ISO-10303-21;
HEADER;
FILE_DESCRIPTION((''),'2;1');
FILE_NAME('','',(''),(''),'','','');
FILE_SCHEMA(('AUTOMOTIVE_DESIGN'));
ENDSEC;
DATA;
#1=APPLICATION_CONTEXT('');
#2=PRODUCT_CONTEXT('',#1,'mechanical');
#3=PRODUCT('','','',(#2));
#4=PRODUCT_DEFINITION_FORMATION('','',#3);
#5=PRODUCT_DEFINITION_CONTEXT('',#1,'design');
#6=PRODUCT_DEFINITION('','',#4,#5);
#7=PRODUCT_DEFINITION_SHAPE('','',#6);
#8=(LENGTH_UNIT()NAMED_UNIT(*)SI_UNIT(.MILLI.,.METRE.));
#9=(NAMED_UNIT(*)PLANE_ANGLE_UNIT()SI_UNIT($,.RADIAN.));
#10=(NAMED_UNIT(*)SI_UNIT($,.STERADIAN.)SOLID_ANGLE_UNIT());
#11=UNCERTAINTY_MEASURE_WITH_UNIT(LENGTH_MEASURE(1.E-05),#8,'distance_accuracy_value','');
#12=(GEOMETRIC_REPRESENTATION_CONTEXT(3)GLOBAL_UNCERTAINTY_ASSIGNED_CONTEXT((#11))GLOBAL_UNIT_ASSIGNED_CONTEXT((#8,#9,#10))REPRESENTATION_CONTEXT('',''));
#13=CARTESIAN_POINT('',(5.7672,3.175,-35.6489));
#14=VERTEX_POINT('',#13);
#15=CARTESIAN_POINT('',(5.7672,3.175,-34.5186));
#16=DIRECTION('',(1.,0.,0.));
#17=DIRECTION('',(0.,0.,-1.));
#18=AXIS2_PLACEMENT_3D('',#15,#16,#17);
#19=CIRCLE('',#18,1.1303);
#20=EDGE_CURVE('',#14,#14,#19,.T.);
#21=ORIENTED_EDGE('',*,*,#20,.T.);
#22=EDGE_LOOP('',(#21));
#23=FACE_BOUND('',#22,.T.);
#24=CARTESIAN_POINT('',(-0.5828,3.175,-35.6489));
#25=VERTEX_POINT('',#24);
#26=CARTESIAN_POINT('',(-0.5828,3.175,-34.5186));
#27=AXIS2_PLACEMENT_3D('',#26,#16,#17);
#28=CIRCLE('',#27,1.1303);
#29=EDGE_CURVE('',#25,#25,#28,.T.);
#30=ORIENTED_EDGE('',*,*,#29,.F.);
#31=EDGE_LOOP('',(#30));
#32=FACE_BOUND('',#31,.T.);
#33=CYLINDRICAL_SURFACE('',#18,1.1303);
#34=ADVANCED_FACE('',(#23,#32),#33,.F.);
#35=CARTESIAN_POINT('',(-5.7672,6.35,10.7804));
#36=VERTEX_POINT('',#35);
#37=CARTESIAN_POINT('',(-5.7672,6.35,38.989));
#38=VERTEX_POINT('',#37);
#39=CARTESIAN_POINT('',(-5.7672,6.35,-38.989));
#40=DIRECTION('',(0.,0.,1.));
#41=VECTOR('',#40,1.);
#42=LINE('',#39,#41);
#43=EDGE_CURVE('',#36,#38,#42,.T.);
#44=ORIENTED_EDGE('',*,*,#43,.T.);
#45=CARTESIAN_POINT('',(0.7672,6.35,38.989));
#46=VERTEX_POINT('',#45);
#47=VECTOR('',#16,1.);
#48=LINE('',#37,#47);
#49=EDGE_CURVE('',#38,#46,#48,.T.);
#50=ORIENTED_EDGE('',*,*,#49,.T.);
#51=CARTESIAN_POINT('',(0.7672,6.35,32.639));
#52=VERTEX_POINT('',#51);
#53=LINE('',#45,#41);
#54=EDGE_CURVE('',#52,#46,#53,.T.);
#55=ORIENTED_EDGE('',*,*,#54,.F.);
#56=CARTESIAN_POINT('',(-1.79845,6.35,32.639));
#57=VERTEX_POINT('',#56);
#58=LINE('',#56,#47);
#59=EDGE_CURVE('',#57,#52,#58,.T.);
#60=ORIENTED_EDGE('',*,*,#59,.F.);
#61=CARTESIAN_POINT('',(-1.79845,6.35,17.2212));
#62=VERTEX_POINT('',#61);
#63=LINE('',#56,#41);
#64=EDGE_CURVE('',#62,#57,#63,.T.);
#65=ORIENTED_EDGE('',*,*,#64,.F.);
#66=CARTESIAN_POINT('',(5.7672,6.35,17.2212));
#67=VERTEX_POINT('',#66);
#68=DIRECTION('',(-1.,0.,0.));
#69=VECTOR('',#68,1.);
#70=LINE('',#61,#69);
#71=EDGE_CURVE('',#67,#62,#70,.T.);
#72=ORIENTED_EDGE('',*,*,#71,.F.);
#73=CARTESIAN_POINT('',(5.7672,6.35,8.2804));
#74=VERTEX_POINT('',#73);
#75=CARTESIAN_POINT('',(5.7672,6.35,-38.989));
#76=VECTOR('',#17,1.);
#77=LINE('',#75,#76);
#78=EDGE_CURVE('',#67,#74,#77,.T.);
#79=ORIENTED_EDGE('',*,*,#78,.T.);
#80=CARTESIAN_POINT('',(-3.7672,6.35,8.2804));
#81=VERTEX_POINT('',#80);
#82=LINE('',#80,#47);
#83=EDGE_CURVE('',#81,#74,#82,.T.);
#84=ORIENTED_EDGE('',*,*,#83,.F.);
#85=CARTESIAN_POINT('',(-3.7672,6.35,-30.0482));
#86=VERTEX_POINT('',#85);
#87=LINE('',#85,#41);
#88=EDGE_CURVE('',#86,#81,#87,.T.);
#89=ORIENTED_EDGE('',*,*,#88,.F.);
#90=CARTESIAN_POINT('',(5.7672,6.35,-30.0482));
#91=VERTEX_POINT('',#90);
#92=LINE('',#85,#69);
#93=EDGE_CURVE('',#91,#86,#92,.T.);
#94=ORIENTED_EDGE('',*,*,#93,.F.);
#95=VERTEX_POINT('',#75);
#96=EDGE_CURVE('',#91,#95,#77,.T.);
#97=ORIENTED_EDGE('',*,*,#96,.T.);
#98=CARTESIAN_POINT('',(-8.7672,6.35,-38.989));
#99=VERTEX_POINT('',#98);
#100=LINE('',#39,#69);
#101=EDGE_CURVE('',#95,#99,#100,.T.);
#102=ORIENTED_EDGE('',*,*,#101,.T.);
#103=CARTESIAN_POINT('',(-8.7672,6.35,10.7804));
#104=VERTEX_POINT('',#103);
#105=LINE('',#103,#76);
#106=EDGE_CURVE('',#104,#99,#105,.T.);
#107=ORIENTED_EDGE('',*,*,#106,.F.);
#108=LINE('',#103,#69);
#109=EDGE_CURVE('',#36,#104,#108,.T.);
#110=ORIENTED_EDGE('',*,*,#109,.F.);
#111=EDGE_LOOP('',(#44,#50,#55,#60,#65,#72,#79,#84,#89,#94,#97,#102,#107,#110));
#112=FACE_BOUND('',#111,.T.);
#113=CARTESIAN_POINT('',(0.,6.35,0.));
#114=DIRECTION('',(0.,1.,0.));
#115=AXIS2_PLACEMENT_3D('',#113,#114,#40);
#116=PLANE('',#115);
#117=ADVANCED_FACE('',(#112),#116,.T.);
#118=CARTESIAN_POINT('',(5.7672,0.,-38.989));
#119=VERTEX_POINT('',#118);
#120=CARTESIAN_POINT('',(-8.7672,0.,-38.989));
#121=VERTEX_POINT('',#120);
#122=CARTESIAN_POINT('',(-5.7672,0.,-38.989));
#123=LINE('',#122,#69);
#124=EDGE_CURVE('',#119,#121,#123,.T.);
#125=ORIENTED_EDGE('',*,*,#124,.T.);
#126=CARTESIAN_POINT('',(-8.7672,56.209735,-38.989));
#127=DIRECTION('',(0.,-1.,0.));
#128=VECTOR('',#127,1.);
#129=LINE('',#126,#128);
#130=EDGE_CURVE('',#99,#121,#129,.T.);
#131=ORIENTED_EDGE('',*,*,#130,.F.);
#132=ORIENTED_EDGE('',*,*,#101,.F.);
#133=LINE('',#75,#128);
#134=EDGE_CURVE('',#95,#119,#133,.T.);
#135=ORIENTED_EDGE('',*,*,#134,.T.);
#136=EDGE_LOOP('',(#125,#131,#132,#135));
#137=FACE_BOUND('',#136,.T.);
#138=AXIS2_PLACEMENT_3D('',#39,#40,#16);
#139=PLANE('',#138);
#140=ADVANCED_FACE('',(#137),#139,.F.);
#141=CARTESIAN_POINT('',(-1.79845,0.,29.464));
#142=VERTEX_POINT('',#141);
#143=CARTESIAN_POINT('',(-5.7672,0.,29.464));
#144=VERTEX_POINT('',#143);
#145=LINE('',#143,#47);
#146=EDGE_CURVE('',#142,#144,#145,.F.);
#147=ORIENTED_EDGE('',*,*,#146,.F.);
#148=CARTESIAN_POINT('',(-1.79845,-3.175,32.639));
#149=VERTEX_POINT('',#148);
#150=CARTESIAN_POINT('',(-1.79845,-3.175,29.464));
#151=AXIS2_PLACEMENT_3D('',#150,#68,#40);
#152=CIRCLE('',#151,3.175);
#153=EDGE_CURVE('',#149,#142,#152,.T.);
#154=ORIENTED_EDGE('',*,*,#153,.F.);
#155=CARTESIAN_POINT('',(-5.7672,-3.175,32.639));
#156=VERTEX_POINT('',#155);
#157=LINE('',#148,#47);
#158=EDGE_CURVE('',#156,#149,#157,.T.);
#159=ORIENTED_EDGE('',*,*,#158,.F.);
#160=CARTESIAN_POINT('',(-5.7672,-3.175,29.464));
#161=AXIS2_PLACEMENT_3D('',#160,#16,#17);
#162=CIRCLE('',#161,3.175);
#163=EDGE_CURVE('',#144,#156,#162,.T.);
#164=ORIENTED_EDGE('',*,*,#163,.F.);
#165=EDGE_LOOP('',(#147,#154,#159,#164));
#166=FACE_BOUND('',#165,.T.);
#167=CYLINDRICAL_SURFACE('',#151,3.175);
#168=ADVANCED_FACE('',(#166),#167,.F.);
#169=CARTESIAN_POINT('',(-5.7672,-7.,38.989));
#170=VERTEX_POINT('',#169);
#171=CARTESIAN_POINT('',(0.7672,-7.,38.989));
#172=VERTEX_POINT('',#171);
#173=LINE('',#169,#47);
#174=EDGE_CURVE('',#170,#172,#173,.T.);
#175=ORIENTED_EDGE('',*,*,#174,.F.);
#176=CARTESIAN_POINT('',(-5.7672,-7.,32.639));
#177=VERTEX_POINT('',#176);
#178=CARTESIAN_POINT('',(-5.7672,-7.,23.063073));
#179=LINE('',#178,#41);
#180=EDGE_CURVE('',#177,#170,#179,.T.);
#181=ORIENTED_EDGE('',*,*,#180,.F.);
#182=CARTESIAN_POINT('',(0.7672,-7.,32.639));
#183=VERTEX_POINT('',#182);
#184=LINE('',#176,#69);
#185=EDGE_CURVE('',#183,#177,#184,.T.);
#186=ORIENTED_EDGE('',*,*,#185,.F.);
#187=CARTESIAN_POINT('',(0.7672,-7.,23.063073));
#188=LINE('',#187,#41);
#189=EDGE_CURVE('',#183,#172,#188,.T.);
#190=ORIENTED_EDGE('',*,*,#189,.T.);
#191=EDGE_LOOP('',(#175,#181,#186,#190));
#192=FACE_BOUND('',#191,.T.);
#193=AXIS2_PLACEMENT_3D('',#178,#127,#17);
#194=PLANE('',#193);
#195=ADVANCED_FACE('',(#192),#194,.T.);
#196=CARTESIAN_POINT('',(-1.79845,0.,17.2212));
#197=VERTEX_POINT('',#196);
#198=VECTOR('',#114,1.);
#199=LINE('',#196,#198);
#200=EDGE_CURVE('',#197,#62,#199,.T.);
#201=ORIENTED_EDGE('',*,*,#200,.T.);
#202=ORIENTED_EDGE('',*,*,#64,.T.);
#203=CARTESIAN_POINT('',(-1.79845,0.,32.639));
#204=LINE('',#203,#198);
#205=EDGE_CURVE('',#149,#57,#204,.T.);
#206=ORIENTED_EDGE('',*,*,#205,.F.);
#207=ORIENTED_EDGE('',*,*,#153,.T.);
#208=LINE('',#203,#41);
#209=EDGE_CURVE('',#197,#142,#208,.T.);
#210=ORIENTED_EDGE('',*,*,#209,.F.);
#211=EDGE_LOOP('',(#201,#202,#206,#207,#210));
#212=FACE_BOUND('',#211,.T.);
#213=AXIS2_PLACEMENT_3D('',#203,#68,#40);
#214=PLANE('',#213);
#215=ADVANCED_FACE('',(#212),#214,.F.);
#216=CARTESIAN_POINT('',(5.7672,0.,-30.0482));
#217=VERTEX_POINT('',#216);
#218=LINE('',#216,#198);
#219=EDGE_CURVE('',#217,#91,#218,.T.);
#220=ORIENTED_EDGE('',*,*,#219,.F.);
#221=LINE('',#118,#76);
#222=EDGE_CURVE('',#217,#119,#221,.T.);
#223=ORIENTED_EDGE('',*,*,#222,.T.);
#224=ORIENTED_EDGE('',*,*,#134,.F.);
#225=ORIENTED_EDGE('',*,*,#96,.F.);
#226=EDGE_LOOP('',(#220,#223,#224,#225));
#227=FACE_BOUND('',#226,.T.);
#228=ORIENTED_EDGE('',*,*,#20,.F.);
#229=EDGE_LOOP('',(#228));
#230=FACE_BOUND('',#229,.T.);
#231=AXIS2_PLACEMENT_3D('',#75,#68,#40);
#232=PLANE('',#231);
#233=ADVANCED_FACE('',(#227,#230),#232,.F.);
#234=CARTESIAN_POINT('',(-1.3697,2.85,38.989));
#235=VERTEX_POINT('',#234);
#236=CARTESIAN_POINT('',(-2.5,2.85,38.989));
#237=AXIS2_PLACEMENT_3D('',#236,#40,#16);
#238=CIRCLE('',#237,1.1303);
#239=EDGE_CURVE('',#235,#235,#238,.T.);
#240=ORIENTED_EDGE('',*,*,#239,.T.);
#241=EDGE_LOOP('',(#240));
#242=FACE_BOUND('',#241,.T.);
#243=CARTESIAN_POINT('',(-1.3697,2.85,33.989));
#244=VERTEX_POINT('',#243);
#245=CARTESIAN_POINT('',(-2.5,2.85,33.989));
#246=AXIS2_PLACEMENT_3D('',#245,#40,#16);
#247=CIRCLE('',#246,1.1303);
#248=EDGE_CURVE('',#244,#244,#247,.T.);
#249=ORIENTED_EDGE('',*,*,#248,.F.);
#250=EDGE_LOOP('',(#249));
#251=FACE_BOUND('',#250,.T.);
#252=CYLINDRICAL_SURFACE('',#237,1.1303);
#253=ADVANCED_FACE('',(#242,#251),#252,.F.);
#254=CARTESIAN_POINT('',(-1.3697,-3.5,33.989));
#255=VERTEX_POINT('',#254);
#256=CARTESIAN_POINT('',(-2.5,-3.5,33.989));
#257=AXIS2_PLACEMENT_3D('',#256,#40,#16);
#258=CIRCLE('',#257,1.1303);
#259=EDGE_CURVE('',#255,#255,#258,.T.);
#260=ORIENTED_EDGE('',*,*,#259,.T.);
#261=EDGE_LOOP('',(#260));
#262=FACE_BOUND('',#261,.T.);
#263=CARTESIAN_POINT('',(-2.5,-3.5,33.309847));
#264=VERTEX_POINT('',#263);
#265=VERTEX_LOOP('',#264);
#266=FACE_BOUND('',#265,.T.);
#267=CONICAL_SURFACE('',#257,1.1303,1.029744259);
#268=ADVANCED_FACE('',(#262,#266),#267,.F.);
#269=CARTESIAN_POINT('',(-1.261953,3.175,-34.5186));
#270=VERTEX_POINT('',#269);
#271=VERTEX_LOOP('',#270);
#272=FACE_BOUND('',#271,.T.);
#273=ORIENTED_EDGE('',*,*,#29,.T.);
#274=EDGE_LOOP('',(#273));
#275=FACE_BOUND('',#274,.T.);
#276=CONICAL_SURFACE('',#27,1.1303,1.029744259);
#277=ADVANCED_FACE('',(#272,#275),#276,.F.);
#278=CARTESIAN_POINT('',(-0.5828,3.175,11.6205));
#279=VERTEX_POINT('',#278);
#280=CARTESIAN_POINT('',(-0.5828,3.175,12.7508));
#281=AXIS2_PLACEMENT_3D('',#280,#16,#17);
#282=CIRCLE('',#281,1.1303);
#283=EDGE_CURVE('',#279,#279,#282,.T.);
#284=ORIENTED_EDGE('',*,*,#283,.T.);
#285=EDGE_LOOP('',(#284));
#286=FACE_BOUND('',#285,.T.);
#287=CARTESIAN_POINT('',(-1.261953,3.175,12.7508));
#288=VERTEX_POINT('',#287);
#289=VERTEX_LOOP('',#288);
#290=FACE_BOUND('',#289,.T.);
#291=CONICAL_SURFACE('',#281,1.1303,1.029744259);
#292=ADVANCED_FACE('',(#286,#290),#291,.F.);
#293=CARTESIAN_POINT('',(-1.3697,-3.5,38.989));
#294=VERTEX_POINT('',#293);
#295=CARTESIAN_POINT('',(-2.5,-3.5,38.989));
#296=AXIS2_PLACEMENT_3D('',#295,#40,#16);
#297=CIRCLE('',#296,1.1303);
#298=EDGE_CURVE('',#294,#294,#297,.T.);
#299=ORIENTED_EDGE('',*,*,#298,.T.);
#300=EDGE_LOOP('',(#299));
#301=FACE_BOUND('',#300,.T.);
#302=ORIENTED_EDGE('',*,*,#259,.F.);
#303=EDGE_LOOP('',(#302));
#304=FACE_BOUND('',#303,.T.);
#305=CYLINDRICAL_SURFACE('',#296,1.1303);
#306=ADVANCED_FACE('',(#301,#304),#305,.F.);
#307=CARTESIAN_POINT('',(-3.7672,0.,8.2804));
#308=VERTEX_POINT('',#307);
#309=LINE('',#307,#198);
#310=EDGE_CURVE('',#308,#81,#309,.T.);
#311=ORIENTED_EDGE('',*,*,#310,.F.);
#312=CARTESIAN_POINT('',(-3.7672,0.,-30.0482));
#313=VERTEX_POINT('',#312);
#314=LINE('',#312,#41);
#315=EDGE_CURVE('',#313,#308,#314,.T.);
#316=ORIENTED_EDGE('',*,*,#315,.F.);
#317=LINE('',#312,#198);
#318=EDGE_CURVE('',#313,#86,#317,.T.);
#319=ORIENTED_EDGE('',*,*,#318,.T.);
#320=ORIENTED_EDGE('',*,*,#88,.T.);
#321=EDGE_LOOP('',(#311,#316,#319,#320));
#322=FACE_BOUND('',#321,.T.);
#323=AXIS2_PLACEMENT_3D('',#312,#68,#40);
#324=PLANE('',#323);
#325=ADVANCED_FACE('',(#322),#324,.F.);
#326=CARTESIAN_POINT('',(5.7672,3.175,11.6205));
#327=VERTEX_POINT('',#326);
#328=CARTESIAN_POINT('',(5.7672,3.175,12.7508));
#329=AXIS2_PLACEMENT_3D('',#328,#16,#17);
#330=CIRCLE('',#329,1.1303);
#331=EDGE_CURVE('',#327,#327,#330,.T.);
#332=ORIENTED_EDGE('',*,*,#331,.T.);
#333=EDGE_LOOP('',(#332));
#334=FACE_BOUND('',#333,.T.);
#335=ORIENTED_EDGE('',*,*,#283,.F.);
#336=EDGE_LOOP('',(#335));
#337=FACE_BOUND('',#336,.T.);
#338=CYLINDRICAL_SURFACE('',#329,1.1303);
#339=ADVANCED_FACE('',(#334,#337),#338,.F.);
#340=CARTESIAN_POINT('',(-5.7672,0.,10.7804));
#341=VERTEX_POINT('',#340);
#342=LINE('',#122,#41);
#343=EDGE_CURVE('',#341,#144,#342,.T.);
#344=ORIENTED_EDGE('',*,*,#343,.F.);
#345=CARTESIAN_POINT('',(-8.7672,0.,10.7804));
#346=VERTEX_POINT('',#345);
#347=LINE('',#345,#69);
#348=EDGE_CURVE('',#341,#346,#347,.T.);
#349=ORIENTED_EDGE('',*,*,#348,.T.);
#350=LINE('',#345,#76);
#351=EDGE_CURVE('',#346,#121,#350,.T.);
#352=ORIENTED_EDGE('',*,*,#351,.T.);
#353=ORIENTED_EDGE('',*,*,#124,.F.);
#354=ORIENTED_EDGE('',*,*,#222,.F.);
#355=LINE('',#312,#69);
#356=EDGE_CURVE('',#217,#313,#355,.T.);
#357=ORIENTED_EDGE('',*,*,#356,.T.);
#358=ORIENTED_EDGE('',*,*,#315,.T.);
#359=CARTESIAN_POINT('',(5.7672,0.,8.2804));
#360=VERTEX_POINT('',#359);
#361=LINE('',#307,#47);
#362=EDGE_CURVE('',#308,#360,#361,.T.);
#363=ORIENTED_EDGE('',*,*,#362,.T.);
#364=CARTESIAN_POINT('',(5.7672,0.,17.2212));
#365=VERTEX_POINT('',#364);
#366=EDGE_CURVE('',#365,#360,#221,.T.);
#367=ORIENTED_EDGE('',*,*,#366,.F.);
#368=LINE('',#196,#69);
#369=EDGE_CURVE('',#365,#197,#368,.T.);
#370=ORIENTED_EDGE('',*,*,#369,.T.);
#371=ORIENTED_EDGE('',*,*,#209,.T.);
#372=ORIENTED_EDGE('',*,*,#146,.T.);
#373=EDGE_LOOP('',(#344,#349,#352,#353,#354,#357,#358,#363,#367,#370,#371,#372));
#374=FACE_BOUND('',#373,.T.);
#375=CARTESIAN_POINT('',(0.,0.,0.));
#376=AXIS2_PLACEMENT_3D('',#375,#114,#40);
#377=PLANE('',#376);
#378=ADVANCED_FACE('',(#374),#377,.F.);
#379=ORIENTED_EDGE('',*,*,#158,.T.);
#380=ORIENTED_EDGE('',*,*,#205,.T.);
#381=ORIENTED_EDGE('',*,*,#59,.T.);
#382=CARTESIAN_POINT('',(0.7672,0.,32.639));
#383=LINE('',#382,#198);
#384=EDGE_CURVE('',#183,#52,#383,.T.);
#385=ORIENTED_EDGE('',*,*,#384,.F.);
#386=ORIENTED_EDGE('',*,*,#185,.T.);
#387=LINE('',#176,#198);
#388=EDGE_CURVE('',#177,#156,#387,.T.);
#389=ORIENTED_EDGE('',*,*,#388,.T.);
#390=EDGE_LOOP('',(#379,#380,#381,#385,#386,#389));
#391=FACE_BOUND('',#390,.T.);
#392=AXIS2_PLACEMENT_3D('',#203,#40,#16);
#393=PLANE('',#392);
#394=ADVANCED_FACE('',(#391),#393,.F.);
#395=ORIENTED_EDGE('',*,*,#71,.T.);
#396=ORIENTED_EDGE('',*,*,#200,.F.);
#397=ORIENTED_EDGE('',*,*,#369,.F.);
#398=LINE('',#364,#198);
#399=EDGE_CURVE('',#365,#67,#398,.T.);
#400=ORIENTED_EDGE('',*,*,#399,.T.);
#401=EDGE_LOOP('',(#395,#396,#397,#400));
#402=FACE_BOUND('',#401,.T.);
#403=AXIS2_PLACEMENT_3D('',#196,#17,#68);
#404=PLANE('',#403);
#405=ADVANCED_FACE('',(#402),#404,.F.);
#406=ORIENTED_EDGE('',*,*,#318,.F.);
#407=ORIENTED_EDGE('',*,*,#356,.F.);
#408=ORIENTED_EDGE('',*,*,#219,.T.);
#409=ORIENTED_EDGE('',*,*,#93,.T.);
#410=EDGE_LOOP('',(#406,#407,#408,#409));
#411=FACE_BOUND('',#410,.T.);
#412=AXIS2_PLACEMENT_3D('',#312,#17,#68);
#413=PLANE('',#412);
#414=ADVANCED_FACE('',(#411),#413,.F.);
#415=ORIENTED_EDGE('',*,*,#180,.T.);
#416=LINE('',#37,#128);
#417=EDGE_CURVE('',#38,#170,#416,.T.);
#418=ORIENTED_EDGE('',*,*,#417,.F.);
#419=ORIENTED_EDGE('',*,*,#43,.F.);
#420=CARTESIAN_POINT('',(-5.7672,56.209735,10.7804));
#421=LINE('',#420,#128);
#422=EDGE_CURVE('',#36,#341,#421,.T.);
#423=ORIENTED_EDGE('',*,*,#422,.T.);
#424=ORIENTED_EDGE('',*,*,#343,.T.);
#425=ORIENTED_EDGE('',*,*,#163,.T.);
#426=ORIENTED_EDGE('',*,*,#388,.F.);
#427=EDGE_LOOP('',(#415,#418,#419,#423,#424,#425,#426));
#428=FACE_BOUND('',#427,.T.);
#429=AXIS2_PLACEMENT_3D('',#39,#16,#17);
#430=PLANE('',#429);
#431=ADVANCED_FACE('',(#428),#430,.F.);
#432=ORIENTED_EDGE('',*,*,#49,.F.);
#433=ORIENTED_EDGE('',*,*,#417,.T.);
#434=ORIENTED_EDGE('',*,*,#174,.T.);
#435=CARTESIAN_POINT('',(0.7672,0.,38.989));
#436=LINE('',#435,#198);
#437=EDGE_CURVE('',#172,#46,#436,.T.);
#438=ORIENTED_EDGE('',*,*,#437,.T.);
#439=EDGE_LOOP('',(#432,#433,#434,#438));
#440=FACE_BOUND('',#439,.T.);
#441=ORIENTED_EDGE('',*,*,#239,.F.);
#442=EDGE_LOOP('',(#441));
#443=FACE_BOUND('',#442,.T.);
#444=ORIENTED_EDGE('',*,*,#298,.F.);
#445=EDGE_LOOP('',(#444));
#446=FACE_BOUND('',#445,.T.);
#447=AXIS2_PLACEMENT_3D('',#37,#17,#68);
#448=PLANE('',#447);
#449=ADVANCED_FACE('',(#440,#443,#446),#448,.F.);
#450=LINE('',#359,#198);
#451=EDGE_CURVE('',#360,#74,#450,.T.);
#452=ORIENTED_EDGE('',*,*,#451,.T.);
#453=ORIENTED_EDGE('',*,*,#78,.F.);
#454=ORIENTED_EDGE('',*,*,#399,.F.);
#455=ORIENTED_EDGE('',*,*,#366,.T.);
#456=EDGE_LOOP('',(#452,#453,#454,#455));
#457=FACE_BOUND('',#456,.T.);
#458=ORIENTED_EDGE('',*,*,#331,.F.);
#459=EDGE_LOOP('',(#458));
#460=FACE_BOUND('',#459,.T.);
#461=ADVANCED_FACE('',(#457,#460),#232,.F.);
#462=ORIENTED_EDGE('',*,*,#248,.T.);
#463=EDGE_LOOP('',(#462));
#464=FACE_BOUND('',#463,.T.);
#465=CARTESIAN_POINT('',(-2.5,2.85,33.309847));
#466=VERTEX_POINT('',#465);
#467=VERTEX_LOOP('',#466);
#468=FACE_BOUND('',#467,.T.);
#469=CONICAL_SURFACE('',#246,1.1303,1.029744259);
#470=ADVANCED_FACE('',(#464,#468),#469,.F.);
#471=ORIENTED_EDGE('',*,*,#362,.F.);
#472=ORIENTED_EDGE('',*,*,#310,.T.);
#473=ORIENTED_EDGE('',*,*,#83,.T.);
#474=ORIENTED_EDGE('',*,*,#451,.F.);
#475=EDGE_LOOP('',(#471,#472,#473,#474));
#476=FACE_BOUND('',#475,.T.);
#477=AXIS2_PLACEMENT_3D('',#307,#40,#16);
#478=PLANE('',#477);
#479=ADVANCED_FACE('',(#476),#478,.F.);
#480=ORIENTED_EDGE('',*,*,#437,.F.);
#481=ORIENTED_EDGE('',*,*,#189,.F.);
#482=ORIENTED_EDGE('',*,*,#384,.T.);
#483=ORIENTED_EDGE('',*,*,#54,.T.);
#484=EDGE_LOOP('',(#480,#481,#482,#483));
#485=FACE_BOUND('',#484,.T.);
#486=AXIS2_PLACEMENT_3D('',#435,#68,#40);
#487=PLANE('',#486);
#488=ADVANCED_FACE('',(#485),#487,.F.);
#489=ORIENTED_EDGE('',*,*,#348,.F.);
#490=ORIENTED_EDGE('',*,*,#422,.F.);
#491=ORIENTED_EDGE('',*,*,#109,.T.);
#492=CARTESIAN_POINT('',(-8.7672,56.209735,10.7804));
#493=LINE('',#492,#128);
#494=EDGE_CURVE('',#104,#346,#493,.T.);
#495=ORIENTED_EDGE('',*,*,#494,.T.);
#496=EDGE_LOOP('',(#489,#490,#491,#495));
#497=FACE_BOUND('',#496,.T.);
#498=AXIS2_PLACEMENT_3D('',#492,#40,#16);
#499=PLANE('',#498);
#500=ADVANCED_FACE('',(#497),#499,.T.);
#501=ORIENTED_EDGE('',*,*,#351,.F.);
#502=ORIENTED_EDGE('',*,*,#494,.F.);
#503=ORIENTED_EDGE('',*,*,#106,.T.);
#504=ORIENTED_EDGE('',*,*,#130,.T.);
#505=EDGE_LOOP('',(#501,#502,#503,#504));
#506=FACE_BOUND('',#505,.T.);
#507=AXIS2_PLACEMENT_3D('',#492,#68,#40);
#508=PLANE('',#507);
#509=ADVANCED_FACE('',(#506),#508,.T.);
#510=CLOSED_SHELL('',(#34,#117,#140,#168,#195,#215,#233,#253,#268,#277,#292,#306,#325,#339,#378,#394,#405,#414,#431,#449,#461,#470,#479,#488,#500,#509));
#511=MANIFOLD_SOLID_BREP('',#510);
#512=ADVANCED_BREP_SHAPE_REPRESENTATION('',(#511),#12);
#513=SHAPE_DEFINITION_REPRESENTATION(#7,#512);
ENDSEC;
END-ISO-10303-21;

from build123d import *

# Parameters (mm, degrees)
SKETCH1_W                 = 11.5344
SKETCH1_H                 = 77.978
BOSS_EXTRUDE1_DEPTH       = 6.35
F_4_40_TAPPED_HOLE1_D     = 2.2606
F_4_40_TAPPED_HOLE1_DEPTH = 6.35
F_4_40_TAPPED_HOLE1_TIP   = 0.679152758
SKETCH2_W                 = 9.5344
SKETCH2_H                 = 38.3286
SKETCH2_W_2               = 7.56565
SKETCH2_H_2               = 15.4178
CUT_EXTRUDE1_DEPTH        = 40.921488159
SKETCH8_W                 = 5
SKETCH8_H                 = 6.35
CUT_EXTRUDE2_DEPTH        = 40.921488159
SKETCH9_W                 = 6.5344
SKETCH9_H                 = 7
BOSS_EXTRUDE2_DEPTH       = 6.35
F_4_40_TAPPED_HOLE2_D     = 2.2606
F_4_40_TAPPED_HOLE2_DEPTH = 5
F_4_40_TAPPED_HOLE2_TIP   = 0.679152758
SKETCH10_W                = 3
SKETCH10_H                = 49.7694
BOSS_EXTRUDE3_DEPTH       = 6.35
FILLET1_R                 = 3.175


with BuildPart() as part:
    # Sketch1 → Boss-Extrude1 (new body)
    with BuildSketch(Plane(origin=(0, 0, 0), x_dir=(1, 0, 0), z_dir=(0, 1, 0))):
        Rectangle(SKETCH1_W, SKETCH1_H)
    extrude(amount=BOSS_EXTRUDE1_DEPTH)

    # #4-40 Tapped Hole1
    with Locations(Plane(origin=(5.7672, 0, 0), x_dir=(0, 0, -1), z_dir=(1, 0, 0))):
        with Locations((34.5186, 3.175), (-12.7508, 3.175)):
            Hole(F_4_40_TAPPED_HOLE1_D / 2, depth=F_4_40_TAPPED_HOLE1_DEPTH)
            with Locations((0, 0, -(F_4_40_TAPPED_HOLE1_DEPTH + F_4_40_TAPPED_HOLE1_TIP / 2))):  # 118° drill point
                Cone(0, F_4_40_TAPPED_HOLE1_D / 2, F_4_40_TAPPED_HOLE1_TIP, mode=Mode.SUBTRACT)

    # Sketch2 → Cut-Extrude1 (cut, through all)
    with BuildSketch(Plane(origin=(0, 6.35, 0), x_dir=(1, 0, 0), z_dir=(0, 1, 0))):
        with Locations((1, 10.8839)):
            Rectangle(SKETCH2_W, SKETCH2_H)
        with Locations((1.984375, -24.9301)):
            Rectangle(SKETCH2_W_2, SKETCH2_H_2)
    extrude(amount=-CUT_EXTRUDE1_DEPTH, mode=Mode.SUBTRACT)

    # Sketch8 → Cut-Extrude2 (cut, through all)
    with BuildSketch(Plane(origin=(0, 6.35, 0), x_dir=(1, 0, 0), z_dir=(0, 1, 0))):
        with Locations((3.2672, -35.814)):
            Rectangle(SKETCH8_W, SKETCH8_H)
    extrude(amount=-CUT_EXTRUDE2_DEPTH, mode=Mode.SUBTRACT)

    # Sketch9 → Boss-Extrude2 (add)
    with BuildSketch(Plane.XY.offset(38.989)):
        with Locations((-2.5, -3.5)):
            Rectangle(SKETCH9_W, SKETCH9_H)
    extrude(amount=-BOSS_EXTRUDE2_DEPTH)

    # #4-40 Tapped Hole2
    with Locations(Plane.XY.offset(38.989)):
        with Locations((-2.5, 2.85), (-2.5, -3.5)):
            Hole(F_4_40_TAPPED_HOLE2_D / 2, depth=F_4_40_TAPPED_HOLE2_DEPTH)
            with Locations((0, 0, -(F_4_40_TAPPED_HOLE2_DEPTH + F_4_40_TAPPED_HOLE2_TIP / 2))):  # 118° drill point
                Cone(0, F_4_40_TAPPED_HOLE2_D / 2, F_4_40_TAPPED_HOLE2_TIP, mode=Mode.SUBTRACT)

    # Sketch10 → Boss-Extrude3 (add)
    with BuildSketch(Plane.XZ):
        with Locations((-7.2672, -14.1043)):
            Rectangle(SKETCH10_W, SKETCH10_H)
    extrude(amount=-BOSS_EXTRUDE3_DEPTH)

    # Fillet1
    fillet1_edges = [part.edges().sort_by_distance(p)[0] for p in [
        (-3.782825, 0, 32.639),
    ]]
    fillet(fillet1_edges, radius=FILLET1_R)


solid = part.part
